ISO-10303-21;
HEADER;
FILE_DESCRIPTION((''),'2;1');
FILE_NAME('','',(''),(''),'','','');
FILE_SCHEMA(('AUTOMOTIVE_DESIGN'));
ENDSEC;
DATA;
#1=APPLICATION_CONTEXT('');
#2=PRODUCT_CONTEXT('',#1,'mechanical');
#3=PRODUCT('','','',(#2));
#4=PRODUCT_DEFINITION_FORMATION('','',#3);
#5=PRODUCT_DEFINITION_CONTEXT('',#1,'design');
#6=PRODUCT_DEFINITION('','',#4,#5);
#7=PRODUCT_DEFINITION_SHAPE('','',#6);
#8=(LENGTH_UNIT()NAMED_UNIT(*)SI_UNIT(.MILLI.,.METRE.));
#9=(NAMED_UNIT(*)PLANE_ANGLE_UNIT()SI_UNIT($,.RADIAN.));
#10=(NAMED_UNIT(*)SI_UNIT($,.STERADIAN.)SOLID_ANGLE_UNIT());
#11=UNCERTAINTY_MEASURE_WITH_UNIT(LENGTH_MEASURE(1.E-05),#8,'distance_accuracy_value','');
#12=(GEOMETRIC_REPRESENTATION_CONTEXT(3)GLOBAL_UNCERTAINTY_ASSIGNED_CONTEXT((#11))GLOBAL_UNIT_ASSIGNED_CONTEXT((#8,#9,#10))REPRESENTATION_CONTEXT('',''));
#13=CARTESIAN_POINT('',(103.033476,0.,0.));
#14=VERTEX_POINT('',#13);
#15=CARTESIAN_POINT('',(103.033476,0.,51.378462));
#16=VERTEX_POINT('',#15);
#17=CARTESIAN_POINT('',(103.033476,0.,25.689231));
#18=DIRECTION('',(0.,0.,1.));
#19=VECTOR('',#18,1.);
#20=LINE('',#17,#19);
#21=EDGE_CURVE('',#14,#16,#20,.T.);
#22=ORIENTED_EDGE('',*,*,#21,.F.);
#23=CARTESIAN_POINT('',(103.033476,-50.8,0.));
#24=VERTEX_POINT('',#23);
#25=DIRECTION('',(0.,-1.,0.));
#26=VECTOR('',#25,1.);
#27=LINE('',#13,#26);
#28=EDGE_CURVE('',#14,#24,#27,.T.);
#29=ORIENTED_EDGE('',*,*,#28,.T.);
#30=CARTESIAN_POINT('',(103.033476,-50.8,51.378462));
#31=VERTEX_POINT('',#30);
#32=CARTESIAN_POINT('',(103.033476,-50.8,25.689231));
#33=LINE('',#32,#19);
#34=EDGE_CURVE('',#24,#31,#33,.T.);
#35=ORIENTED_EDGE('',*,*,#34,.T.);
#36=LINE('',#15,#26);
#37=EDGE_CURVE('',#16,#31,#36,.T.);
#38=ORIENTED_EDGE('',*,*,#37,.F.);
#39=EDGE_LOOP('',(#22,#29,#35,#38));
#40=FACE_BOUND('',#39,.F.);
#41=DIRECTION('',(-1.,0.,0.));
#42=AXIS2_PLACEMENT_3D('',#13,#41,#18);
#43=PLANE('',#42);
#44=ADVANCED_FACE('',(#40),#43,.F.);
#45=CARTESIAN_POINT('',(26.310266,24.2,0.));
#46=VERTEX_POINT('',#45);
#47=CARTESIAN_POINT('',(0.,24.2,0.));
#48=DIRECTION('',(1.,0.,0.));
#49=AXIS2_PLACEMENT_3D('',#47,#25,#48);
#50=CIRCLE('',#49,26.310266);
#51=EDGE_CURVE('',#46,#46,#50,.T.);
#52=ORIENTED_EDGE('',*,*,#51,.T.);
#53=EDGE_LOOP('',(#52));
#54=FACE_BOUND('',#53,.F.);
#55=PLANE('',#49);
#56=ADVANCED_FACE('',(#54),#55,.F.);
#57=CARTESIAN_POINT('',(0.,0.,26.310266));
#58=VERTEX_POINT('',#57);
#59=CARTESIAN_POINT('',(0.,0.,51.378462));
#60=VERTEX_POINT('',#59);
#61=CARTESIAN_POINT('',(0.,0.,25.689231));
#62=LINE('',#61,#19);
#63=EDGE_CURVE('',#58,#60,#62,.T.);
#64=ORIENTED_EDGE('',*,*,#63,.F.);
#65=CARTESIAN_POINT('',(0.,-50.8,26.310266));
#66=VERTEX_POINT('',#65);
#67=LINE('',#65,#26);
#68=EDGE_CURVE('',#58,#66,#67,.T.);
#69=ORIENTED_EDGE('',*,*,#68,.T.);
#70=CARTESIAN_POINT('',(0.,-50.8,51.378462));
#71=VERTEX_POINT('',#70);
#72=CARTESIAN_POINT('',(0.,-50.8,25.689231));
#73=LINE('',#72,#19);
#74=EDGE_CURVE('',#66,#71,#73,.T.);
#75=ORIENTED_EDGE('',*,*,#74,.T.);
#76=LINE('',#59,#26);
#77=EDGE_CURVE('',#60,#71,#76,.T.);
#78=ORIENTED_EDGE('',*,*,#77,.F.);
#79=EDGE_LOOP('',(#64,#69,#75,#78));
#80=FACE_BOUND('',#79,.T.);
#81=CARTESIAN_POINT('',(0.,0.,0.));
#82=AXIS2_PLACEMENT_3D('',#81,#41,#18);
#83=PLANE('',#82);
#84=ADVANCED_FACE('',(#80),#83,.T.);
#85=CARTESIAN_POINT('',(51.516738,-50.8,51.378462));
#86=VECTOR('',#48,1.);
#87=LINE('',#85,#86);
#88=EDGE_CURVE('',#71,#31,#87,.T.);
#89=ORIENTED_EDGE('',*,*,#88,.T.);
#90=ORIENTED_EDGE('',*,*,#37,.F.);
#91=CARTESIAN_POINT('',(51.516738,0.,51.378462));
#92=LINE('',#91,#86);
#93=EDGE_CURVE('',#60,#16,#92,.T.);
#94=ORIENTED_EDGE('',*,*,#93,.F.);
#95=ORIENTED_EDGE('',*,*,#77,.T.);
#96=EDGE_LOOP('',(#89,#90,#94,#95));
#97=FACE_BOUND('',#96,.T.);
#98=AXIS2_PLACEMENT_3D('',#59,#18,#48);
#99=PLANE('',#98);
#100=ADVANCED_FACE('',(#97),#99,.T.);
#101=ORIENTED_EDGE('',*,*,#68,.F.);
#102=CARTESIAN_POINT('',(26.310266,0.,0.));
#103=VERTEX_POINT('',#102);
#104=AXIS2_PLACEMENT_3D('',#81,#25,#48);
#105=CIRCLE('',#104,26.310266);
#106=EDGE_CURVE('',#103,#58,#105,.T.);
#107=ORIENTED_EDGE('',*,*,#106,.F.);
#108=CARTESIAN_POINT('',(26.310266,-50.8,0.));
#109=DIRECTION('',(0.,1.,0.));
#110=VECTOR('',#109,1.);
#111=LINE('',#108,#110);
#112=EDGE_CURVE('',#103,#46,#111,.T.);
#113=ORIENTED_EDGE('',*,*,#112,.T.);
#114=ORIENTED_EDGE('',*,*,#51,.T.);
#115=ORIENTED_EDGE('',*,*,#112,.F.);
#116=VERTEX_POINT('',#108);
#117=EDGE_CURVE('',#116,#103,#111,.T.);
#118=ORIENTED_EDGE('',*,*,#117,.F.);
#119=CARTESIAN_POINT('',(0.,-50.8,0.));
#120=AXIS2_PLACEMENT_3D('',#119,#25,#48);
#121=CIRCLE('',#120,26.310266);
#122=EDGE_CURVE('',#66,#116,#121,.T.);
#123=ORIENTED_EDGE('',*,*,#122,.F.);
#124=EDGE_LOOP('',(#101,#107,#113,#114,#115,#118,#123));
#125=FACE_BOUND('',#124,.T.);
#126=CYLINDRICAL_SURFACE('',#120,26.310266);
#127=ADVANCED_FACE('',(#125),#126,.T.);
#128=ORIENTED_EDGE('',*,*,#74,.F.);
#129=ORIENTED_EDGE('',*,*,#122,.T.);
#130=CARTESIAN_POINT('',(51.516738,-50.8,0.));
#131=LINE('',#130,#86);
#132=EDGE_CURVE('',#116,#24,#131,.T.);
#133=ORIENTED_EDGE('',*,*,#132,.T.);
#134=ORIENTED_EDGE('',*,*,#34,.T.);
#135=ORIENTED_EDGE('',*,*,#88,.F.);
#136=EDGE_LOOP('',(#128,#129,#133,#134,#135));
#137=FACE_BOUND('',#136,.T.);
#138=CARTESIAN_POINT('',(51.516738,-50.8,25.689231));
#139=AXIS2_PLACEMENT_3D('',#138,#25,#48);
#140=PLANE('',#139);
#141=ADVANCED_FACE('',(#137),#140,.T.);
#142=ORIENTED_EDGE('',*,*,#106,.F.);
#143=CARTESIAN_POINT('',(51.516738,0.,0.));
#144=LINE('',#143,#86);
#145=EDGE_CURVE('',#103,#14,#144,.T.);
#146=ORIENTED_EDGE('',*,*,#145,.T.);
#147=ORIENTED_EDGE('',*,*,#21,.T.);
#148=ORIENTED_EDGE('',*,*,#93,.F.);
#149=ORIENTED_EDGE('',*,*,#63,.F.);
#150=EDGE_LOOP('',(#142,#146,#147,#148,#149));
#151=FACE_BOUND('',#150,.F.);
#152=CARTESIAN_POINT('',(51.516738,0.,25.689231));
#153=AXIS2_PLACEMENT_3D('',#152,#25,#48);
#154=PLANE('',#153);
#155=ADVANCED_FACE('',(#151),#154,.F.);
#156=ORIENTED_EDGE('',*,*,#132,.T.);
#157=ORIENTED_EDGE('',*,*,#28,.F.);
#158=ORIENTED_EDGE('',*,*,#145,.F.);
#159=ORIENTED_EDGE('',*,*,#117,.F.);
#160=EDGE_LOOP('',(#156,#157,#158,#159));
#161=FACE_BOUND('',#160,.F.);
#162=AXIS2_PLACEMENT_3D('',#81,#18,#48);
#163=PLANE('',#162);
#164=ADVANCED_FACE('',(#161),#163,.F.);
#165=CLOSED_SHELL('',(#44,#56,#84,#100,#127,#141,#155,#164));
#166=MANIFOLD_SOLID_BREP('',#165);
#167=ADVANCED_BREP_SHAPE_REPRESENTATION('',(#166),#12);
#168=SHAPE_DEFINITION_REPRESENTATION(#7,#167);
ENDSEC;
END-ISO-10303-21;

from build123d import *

# Parameters (mm, degrees)
F0_W     = 103.033476
F0_H     = 51.378462
F1_DEPTH = 50.8
F2_R     = 26.310266
F3_DEPTH = 75


with BuildPart() as f1:
    # F0 (on Front) → F1 (new body)
    with BuildSketch(Plane.XZ):
        with Locations((51.516738, 25.689231)):
            Rectangle(F0_W, F0_H)
    extrude(amount=F1_DEPTH)

    # F2 (on face) → F3 (join)
    with BuildSketch(Plane.XZ.offset(50.8)):
        Circle(F2_R)
    extrude(amount=-F3_DEPTH)


solid = f1.part
